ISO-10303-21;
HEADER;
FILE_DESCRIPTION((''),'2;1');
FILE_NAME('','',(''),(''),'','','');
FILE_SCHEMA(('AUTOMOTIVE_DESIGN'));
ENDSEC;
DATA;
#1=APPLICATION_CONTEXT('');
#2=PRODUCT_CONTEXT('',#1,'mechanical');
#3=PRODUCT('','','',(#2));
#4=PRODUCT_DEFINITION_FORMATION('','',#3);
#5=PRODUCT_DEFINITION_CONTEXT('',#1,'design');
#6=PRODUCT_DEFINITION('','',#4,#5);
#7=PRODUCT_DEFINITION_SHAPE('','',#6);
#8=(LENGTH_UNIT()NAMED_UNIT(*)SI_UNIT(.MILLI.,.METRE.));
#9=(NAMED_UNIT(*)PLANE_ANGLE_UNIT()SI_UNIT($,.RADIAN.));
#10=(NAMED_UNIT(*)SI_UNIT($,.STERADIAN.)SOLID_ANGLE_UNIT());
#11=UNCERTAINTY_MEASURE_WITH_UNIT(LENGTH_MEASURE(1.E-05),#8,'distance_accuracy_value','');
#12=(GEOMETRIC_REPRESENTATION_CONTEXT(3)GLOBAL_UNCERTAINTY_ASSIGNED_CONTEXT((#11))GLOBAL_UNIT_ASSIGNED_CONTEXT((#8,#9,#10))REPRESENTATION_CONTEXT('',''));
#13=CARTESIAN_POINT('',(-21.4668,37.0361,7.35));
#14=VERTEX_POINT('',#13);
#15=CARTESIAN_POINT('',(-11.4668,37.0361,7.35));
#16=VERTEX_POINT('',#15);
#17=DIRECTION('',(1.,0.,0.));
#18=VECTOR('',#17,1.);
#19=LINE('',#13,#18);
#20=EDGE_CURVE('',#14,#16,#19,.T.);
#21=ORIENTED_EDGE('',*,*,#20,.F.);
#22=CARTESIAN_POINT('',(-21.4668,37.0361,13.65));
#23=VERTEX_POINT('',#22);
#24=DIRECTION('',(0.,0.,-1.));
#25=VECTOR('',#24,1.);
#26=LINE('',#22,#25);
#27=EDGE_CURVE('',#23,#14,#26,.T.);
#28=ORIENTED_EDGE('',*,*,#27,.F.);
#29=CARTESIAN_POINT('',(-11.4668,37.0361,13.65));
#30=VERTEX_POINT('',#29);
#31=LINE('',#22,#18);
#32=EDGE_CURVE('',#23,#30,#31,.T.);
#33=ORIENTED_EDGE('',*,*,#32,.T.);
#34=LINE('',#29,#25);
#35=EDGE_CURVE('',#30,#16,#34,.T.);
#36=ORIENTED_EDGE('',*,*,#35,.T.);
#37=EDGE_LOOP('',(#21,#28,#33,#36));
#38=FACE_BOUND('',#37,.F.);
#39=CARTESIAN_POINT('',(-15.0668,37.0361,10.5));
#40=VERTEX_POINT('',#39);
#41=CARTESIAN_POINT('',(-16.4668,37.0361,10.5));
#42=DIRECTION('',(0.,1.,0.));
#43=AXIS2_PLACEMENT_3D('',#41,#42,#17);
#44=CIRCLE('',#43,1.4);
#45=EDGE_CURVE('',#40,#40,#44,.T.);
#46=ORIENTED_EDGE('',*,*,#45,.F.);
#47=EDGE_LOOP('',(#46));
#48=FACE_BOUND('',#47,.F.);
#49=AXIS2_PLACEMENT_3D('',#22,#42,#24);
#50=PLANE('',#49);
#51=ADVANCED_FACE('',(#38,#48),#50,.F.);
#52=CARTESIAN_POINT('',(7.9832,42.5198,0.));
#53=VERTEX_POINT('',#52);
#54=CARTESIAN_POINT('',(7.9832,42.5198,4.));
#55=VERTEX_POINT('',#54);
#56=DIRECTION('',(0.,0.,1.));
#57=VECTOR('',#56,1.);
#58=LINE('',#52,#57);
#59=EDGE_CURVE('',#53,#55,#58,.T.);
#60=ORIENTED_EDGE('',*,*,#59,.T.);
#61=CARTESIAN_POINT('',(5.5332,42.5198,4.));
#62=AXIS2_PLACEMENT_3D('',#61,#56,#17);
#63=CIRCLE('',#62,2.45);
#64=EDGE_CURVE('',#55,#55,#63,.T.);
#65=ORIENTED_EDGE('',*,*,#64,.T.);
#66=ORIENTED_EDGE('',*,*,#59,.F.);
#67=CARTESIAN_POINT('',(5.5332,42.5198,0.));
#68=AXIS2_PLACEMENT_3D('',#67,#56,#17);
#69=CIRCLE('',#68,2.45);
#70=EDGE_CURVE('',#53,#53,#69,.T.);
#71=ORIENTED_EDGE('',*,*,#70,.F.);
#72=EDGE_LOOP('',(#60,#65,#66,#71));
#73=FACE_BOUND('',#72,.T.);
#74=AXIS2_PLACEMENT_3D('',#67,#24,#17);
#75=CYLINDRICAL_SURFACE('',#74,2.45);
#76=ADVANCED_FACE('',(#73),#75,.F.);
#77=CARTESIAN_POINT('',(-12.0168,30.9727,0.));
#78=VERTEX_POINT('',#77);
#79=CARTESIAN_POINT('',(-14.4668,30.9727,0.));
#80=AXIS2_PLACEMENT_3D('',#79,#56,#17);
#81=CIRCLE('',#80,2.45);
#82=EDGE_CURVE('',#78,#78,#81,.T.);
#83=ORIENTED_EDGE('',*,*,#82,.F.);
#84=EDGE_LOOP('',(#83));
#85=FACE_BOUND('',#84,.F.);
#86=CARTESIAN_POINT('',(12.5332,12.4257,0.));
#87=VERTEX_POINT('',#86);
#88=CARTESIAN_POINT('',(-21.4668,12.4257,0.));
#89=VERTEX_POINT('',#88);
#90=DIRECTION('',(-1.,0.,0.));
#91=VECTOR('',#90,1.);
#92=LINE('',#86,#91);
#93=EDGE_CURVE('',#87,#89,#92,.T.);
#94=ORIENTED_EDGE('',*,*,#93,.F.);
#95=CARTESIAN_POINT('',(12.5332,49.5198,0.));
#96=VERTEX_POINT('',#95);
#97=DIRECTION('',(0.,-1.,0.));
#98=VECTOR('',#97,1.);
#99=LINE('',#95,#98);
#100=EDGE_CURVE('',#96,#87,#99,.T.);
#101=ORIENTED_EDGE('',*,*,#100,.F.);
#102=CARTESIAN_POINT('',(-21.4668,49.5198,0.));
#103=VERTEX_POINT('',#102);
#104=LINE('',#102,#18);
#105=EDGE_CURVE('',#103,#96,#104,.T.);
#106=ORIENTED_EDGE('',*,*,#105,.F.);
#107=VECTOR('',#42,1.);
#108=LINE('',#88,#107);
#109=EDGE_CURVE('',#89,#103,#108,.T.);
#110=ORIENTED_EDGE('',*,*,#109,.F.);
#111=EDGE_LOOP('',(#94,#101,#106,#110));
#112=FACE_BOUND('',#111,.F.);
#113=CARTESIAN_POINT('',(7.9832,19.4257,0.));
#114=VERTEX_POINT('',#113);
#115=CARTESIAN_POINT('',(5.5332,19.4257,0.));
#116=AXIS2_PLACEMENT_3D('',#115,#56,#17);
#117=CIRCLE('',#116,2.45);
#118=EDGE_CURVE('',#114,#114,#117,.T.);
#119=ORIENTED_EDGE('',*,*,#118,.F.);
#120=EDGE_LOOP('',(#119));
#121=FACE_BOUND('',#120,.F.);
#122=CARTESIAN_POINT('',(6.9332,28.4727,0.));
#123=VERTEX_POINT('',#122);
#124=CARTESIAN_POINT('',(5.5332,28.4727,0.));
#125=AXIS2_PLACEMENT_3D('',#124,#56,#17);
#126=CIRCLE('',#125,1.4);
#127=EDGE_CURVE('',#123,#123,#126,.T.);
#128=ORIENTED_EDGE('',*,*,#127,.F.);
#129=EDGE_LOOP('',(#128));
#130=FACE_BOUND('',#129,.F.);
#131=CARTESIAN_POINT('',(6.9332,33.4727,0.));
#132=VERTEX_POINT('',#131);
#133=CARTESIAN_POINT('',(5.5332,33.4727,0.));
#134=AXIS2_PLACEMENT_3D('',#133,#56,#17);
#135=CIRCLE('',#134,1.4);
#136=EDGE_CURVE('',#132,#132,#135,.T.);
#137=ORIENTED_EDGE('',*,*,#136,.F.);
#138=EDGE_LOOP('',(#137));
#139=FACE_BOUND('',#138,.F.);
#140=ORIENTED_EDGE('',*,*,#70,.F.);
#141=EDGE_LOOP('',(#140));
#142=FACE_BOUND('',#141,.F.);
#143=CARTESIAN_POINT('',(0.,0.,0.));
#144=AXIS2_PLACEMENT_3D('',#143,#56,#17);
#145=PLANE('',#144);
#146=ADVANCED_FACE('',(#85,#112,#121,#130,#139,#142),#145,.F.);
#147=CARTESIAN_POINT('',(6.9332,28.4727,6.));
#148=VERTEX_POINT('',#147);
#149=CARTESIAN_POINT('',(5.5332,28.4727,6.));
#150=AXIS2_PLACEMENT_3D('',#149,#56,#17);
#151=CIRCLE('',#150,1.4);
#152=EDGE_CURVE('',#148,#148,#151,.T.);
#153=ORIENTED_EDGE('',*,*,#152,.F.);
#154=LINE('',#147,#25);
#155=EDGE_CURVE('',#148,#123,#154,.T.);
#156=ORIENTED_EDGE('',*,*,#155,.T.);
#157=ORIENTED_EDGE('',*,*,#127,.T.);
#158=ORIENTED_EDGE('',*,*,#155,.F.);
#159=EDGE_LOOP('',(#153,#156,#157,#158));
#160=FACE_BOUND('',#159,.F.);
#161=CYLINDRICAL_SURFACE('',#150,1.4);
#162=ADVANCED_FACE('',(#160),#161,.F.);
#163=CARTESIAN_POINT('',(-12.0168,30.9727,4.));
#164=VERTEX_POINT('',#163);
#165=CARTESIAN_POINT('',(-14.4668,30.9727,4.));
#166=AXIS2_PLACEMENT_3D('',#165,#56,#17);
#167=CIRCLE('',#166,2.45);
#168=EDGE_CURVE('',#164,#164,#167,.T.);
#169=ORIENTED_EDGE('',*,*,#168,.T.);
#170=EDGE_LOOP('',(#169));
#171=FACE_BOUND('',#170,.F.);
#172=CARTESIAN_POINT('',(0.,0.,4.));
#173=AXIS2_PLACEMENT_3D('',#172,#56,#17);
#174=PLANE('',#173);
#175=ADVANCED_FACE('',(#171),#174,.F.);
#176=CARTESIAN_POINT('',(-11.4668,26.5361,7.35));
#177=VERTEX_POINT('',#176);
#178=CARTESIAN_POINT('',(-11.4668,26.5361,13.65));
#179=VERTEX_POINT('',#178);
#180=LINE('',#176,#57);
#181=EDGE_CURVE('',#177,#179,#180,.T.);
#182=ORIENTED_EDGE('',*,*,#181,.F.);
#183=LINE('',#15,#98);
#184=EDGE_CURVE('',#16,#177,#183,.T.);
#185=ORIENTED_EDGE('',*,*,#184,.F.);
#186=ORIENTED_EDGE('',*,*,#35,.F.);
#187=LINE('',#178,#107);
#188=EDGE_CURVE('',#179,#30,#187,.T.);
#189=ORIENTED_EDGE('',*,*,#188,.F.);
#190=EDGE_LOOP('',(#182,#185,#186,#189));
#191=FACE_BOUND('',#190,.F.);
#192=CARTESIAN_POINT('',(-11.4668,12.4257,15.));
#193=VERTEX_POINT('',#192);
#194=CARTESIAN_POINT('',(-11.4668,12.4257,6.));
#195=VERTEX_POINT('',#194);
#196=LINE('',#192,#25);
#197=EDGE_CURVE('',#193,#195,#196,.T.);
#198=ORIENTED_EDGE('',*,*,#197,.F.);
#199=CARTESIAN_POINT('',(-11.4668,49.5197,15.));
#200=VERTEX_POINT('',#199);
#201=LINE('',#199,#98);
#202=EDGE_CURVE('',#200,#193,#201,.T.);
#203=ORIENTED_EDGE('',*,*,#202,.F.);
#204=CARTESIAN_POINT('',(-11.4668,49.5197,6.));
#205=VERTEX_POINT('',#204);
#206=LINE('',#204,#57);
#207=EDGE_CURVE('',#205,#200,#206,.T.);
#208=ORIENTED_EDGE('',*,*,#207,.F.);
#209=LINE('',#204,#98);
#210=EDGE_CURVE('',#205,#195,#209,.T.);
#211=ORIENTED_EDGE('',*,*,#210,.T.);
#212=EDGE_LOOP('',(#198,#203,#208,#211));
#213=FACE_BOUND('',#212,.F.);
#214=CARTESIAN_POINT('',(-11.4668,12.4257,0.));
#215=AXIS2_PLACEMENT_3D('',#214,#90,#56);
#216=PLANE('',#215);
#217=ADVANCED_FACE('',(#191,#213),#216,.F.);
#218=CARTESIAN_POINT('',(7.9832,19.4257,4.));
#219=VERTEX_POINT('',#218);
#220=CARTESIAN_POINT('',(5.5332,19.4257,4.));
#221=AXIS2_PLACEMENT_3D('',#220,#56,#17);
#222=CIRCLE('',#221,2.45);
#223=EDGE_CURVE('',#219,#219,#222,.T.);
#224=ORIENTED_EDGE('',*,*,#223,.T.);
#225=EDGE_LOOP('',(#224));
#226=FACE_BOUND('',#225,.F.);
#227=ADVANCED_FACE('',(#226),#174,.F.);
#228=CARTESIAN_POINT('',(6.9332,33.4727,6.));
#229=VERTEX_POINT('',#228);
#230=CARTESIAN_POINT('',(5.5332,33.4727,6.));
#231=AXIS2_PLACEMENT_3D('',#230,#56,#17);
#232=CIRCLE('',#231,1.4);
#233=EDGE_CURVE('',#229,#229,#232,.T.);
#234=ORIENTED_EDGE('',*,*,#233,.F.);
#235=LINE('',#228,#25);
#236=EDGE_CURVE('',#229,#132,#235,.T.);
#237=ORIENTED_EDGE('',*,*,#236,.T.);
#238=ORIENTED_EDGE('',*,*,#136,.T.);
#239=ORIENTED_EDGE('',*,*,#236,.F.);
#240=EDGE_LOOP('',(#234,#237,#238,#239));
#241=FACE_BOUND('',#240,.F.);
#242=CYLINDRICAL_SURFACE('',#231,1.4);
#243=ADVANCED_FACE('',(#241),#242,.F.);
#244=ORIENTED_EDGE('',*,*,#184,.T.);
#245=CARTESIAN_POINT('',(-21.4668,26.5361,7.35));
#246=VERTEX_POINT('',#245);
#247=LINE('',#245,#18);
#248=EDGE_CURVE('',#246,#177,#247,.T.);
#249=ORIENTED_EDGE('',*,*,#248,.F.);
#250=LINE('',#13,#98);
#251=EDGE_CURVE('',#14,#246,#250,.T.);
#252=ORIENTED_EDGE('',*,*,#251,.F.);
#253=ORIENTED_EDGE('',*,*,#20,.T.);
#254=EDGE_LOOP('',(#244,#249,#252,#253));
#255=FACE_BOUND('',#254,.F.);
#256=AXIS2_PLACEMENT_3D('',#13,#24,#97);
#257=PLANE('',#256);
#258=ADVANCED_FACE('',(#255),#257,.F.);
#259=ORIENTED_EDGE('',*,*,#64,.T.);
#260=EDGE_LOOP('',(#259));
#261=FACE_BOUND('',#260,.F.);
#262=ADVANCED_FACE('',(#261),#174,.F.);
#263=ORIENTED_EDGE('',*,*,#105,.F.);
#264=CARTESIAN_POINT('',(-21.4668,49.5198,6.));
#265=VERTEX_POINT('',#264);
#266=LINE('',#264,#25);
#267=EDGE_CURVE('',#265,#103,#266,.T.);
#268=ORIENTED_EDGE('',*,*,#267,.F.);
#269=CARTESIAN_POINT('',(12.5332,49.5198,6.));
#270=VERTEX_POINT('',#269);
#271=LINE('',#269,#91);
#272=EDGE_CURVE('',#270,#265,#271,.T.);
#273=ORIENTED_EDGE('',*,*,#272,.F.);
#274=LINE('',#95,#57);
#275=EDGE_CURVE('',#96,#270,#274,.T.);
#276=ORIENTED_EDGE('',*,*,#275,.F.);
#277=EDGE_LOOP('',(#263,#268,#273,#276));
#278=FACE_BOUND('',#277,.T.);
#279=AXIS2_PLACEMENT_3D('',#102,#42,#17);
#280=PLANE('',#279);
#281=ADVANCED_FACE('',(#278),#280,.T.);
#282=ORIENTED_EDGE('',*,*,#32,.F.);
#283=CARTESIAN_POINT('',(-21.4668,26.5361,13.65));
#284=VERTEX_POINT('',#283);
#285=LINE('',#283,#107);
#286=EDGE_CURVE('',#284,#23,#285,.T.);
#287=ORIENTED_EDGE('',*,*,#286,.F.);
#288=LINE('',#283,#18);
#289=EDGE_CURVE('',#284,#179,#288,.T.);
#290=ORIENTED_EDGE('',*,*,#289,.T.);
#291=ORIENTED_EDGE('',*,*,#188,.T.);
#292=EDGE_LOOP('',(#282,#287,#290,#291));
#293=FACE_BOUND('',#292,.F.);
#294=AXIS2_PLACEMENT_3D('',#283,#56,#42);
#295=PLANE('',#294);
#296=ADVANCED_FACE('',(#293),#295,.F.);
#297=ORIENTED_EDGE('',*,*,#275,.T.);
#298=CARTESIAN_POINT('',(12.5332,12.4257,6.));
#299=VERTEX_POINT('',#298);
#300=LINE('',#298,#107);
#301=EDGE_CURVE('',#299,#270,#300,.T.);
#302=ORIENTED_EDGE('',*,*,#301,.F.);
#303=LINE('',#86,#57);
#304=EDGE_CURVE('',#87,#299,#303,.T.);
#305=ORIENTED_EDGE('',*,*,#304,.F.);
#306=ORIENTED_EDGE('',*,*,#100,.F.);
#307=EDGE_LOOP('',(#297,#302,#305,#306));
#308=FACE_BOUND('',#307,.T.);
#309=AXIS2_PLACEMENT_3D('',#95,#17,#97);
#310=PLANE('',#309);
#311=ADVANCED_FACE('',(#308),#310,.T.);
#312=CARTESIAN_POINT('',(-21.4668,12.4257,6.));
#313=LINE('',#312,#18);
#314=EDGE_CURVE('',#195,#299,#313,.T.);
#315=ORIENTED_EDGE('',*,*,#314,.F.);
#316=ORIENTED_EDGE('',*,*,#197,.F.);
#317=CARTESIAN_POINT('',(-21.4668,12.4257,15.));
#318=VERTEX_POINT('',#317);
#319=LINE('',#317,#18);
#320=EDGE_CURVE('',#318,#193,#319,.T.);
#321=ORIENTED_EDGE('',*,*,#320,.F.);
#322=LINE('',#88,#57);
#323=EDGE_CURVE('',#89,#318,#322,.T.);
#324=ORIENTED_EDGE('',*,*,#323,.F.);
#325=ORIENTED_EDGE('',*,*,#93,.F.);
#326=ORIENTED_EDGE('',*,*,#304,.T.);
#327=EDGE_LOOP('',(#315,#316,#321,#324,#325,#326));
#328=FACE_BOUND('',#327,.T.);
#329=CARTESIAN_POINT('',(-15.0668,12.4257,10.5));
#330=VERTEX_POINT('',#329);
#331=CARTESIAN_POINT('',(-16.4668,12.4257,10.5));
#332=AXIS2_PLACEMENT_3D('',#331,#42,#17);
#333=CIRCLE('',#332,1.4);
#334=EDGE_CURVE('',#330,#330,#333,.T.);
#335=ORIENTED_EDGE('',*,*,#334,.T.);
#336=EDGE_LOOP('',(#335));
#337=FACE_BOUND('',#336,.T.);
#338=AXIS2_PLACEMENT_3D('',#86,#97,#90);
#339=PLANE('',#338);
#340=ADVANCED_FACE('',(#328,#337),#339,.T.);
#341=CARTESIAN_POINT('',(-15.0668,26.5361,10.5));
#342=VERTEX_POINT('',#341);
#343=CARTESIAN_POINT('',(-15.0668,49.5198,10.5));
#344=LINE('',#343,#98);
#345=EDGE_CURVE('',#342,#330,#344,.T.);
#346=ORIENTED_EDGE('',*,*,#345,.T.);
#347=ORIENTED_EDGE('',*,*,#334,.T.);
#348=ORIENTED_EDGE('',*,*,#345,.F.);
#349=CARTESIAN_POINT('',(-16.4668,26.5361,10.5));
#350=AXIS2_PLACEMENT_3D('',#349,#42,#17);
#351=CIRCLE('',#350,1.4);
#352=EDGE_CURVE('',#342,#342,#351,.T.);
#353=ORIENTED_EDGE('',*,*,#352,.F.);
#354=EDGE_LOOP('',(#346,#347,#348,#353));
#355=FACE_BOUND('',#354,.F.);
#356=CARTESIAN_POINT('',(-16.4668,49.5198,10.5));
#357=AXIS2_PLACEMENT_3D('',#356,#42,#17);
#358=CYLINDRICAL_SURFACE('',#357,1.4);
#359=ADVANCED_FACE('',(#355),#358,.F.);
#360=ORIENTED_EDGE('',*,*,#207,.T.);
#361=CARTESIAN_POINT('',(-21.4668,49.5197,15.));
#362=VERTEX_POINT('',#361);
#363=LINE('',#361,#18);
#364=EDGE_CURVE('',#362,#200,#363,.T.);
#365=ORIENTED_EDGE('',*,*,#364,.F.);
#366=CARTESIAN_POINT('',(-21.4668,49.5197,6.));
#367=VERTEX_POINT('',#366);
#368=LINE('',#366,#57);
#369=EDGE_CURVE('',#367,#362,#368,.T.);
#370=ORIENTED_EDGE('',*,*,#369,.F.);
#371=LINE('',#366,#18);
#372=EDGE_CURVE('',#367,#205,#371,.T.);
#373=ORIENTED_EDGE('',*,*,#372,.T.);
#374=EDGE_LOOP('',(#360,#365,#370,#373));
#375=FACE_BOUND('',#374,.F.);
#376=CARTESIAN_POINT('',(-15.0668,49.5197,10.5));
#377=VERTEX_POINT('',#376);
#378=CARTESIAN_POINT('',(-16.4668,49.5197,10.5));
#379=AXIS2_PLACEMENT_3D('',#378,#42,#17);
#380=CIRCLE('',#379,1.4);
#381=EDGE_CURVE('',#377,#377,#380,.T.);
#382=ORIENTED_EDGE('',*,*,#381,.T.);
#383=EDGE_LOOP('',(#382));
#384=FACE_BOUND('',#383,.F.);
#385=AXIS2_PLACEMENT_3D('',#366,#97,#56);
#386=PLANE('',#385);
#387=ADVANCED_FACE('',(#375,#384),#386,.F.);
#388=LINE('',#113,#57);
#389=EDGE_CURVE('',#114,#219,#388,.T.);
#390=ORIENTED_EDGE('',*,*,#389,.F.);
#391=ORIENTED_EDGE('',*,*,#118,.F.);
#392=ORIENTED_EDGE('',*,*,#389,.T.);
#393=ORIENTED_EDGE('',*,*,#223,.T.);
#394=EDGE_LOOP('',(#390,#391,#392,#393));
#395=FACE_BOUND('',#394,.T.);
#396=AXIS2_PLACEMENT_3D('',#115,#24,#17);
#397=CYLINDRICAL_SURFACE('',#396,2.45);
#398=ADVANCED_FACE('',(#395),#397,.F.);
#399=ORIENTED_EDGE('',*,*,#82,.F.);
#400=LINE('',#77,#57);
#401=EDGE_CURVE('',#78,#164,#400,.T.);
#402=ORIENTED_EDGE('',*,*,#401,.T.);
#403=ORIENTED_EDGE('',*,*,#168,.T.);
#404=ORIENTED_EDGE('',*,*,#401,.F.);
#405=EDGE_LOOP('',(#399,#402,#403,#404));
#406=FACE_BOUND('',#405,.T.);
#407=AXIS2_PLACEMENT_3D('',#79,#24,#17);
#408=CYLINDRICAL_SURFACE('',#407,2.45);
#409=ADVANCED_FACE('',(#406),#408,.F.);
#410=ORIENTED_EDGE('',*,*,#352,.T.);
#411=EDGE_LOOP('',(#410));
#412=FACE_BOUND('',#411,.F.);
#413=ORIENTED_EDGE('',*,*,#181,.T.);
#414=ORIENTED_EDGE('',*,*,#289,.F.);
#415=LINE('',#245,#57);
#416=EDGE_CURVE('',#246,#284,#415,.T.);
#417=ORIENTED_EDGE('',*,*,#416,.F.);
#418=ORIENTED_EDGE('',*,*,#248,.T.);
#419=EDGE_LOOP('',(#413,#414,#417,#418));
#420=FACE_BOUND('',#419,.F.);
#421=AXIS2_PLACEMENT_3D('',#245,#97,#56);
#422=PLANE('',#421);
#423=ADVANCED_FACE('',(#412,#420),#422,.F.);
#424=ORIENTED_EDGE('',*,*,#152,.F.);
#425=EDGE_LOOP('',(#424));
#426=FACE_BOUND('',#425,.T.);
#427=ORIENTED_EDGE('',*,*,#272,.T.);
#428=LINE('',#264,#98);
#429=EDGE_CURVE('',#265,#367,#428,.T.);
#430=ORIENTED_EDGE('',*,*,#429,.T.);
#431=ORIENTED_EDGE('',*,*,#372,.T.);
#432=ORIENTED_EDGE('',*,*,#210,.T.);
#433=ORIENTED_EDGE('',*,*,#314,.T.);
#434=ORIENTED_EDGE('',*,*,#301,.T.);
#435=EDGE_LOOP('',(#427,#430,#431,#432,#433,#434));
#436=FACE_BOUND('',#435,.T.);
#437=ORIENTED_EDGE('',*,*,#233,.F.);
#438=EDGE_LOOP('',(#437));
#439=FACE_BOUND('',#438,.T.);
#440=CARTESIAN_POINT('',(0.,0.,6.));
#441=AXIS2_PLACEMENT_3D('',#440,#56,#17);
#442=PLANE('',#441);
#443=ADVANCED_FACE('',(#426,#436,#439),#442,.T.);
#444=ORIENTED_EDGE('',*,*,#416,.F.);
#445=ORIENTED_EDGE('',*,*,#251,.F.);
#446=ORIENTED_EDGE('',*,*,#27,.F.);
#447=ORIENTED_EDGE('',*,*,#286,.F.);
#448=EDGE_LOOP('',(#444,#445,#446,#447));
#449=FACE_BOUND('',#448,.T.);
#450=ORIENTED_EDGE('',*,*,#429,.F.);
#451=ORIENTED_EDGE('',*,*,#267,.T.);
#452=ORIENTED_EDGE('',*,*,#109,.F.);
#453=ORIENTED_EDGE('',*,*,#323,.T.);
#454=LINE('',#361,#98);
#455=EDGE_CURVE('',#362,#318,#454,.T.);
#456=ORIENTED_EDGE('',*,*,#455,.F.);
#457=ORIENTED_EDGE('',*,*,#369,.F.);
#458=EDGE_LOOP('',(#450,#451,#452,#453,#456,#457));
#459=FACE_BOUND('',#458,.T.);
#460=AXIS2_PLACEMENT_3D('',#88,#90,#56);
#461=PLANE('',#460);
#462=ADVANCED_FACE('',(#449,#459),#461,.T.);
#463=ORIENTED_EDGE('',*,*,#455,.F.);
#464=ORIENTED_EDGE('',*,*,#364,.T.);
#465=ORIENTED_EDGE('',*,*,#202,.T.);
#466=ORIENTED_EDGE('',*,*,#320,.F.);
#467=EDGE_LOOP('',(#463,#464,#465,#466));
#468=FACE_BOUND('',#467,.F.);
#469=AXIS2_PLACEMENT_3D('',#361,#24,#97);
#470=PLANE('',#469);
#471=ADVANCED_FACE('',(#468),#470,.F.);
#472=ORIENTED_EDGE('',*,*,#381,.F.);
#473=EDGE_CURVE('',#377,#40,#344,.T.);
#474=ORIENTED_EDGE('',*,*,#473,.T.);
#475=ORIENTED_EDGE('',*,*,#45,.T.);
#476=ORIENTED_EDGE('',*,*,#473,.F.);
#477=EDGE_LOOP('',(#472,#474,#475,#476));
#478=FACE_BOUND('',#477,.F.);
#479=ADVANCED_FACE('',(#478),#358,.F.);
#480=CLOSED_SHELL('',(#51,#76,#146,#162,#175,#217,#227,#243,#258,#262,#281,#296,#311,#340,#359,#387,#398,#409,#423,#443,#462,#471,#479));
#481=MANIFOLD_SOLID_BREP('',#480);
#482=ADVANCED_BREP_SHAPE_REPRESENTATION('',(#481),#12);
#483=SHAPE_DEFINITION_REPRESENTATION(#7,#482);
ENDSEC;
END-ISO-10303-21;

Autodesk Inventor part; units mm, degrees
ref_plane "YZ Plane" through (0, 0, 0) normal (1, 0, 0) x (0, 1, 0)
ref_plane "XZ Plane" through (0, 0, 0) normal (0, 1, 0) x (-1, 0, 0)
ref_plane "XY Plane" through (0, 0, 0) normal (0, 0, 1) x (1, 0, 0)
ref_plane "Work Plane1" through (0, 0, 0) normal (0, 0, 1) x (1, 0, 0)
sketch "Sketch1" plane through (0, 0, 0) normal (0, 0, 1) x (1, 0, 0)
  circle A0 centre (5.5332, 19.4257) radius 2.45 construction
  circle A1 centre (-14.4668, 30.9727) radius 2.45 construction
  circle A2 centre (5.5332, 42.5198) radius 2.45 construction
  line L0 (12.5332, 12.4257) -> (-21.4668, 12.4257)
  line L1 (-21.4668, 12.4257) -> (-21.4668, 49.5198)
  line L2 (-21.4668, 49.5198) -> (12.5332, 49.5198)
  line L3 (12.5332, 49.5198) -> (12.5332, 12.4257)
  circle A3 centre (5.5332, 19.4257) radius 2.45
  circle A4 centre (-14.4668, 30.9727) radius 2.45
  circle A5 centre (5.5332, 42.5198) radius 2.45
  point P0 (0, 0)
  dimension "d0" = 7
  dimension "d1" = 7
  dimension "d2" = 7
  dimension "d3" = 7
  dimension "d4" = 4.9
  dimension "d5" = 4.9
  dimension "d6" = 4.9
extrude "Extrusion1" add sketch "Sketch1" along normal blind 4
sketch "Sketch2" plane through (0, 0, 4) normal (0, 0, 1) x (1, 0, 0)
  line L0 (12.5332, 49.5198) -> (-21.4668, 49.5198) projected
  line L1 (-21.4668, 49.5198) -> (-21.4668, 12.4257) projected
  line L2 (-21.4668, 12.4257) -> (12.5332, 12.4257) projected
  line L3 (12.5332, 12.4257) -> (12.5332, 49.5198) projected
  circle A0 centre (5.5332, 42.5198) radius 2.45 projected
  circle A1 centre (-14.4668, 30.9727) radius 2.45 projected
  circle A2 centre (5.5332, 19.4257) radius 2.45 projected
  point P0 (0, 0)
extrude "Extrusion2" add sketch "Sketch2" along normal blind 2 contours L3 L2 L1 L0 | A0 | A1 | A2
sketch "Sketch3" plane through (-21.4668, 12.4257, 0) normal (-1, 0, 0) x (0, 0, 1)
  line L0 (0, 37.094) -> (0, 0) projected
  line L1 (0, 0) -> (6, 0) projected
  line L2 (6, 37.094) -> (6, 0) projected
  line L3 (0, 37.094) -> (6, 37.094) projected
  line L4 (0, 37.094) -> (6, 37.094) projected
  line L5 (6, 37.094) -> (15, 37.094)
  line L6 (15, 37.094) -> (15, 0)
  line L7 (15, 0) -> (6, 0)
  line L8 (6, 0) -> (6, 37.094)
  circle A0 centre (10.5, 18.8104) radius 1.5
  point P0 (0, -12.4257)
  dimension "d11" = 9
  dimension "d12" = 3
extrude "Extrusion3" add sketch "Sketch3" against normal blind 10 contours L5 L6 L7 L2
sketch "Sketch4" plane through (-21.4668, 12.4257, 0) normal (-1, 0, 0) x (0, 0, 1)
  line L0 (7.55, 24.4104) -> (13.45, 24.4104) projected
  line L1 (13.45, 14.3104) -> (7.55, 14.3104) projected
  line L2 (13.45, 24.4104) -> (7.55, 24.4104)
  line L3 (7.55, 24.4104) -> (7.55, 14.3104)
  line L4 (7.55, 14.3104) -> (13.45, 14.3104)
  line L5 (13.45, 14.3104) -> (13.45, 24.4104)
  line L6 (13.65, 24.6104) -> (7.35, 24.6104)
  line L7 (7.35, 24.6104) -> (7.35, 14.1104)
  line L8 (7.35, 14.1104) -> (13.65, 14.1104)
  line L9 (13.65, 14.1104) -> (13.65, 24.6104)
  point P0 (0, -12.4257)
  dimension "d15" = 0.2
extrude "Extrusion4" cut sketch "Sketch4" against normal blind 10 contours L0 L5 L1 L3 | L9 L8 L7 L6
sketch "Sketch5" plane through (-21.4668, 49.5198, 0) normal (0, 1, 0) x (1, 0, 0)
  line L0 (9.45, -4) -> (4.55, -4) projected
  line L1 (34, 0) -> (0, 0) projected
  line L2 (0, 0) -> (0, -15) projected
  line L3 (0, -15) -> (10, -15) projected
  line L4 (10, -6) -> (10, -15) projected
  line L5 (34, -6) -> (10, -6) projected
  line L6 (34, 0) -> (34, -6) projected
  circle A0 centre (5, -10.5) radius 1.4
  point P0 (21.4668, 0)
  point P1 (4.9, -8.2)
  dimension "d18" = 2.8
extrude "Extrusion5" cut sketch "Sketch5" against normal through all contours A0
sketch "Sketch6" plane through (0, 0, 6) normal (0, 0, 1) x (1, 0, 0)
  line L0 (-11.4668, 49.5198) -> (-11.4668, 12.4257) projected
  line L1 (-11.4668, 12.4257) -> (12.5332, 12.4257) projected
  line L2 (12.5332, 12.4257) -> (12.5332, 49.5198) projected
  line L3 (12.5332, 49.5198) -> (-11.4668, 49.5198) projected
  circle A0 centre (-14.4668, 30.9727) radius 2.45 projected
  circle A1 centre (5.5332, 42.5198) radius 2.45 projected
  circle A2 centre (5.5332, 33.4727) radius 1.4
  circle A3 centre (5.5332, 28.4727) radius 1.4
  point P0 (0, 0)
  dimension "d21" = 2.8
  dimension "d22" = 2.8
  dimension "d23" = 2.5
  dimension "d24" = 2.5
extrude "Extrusion6" cut sketch "Sketch6" along normal through all both and the other way through all contours A2 | A3
equation "\"d5\" = d4"
equation "\"d6\" = d4"
properties part number "30_cellSTORM_UC2_motorized_xystage_coupler_fibermount"
